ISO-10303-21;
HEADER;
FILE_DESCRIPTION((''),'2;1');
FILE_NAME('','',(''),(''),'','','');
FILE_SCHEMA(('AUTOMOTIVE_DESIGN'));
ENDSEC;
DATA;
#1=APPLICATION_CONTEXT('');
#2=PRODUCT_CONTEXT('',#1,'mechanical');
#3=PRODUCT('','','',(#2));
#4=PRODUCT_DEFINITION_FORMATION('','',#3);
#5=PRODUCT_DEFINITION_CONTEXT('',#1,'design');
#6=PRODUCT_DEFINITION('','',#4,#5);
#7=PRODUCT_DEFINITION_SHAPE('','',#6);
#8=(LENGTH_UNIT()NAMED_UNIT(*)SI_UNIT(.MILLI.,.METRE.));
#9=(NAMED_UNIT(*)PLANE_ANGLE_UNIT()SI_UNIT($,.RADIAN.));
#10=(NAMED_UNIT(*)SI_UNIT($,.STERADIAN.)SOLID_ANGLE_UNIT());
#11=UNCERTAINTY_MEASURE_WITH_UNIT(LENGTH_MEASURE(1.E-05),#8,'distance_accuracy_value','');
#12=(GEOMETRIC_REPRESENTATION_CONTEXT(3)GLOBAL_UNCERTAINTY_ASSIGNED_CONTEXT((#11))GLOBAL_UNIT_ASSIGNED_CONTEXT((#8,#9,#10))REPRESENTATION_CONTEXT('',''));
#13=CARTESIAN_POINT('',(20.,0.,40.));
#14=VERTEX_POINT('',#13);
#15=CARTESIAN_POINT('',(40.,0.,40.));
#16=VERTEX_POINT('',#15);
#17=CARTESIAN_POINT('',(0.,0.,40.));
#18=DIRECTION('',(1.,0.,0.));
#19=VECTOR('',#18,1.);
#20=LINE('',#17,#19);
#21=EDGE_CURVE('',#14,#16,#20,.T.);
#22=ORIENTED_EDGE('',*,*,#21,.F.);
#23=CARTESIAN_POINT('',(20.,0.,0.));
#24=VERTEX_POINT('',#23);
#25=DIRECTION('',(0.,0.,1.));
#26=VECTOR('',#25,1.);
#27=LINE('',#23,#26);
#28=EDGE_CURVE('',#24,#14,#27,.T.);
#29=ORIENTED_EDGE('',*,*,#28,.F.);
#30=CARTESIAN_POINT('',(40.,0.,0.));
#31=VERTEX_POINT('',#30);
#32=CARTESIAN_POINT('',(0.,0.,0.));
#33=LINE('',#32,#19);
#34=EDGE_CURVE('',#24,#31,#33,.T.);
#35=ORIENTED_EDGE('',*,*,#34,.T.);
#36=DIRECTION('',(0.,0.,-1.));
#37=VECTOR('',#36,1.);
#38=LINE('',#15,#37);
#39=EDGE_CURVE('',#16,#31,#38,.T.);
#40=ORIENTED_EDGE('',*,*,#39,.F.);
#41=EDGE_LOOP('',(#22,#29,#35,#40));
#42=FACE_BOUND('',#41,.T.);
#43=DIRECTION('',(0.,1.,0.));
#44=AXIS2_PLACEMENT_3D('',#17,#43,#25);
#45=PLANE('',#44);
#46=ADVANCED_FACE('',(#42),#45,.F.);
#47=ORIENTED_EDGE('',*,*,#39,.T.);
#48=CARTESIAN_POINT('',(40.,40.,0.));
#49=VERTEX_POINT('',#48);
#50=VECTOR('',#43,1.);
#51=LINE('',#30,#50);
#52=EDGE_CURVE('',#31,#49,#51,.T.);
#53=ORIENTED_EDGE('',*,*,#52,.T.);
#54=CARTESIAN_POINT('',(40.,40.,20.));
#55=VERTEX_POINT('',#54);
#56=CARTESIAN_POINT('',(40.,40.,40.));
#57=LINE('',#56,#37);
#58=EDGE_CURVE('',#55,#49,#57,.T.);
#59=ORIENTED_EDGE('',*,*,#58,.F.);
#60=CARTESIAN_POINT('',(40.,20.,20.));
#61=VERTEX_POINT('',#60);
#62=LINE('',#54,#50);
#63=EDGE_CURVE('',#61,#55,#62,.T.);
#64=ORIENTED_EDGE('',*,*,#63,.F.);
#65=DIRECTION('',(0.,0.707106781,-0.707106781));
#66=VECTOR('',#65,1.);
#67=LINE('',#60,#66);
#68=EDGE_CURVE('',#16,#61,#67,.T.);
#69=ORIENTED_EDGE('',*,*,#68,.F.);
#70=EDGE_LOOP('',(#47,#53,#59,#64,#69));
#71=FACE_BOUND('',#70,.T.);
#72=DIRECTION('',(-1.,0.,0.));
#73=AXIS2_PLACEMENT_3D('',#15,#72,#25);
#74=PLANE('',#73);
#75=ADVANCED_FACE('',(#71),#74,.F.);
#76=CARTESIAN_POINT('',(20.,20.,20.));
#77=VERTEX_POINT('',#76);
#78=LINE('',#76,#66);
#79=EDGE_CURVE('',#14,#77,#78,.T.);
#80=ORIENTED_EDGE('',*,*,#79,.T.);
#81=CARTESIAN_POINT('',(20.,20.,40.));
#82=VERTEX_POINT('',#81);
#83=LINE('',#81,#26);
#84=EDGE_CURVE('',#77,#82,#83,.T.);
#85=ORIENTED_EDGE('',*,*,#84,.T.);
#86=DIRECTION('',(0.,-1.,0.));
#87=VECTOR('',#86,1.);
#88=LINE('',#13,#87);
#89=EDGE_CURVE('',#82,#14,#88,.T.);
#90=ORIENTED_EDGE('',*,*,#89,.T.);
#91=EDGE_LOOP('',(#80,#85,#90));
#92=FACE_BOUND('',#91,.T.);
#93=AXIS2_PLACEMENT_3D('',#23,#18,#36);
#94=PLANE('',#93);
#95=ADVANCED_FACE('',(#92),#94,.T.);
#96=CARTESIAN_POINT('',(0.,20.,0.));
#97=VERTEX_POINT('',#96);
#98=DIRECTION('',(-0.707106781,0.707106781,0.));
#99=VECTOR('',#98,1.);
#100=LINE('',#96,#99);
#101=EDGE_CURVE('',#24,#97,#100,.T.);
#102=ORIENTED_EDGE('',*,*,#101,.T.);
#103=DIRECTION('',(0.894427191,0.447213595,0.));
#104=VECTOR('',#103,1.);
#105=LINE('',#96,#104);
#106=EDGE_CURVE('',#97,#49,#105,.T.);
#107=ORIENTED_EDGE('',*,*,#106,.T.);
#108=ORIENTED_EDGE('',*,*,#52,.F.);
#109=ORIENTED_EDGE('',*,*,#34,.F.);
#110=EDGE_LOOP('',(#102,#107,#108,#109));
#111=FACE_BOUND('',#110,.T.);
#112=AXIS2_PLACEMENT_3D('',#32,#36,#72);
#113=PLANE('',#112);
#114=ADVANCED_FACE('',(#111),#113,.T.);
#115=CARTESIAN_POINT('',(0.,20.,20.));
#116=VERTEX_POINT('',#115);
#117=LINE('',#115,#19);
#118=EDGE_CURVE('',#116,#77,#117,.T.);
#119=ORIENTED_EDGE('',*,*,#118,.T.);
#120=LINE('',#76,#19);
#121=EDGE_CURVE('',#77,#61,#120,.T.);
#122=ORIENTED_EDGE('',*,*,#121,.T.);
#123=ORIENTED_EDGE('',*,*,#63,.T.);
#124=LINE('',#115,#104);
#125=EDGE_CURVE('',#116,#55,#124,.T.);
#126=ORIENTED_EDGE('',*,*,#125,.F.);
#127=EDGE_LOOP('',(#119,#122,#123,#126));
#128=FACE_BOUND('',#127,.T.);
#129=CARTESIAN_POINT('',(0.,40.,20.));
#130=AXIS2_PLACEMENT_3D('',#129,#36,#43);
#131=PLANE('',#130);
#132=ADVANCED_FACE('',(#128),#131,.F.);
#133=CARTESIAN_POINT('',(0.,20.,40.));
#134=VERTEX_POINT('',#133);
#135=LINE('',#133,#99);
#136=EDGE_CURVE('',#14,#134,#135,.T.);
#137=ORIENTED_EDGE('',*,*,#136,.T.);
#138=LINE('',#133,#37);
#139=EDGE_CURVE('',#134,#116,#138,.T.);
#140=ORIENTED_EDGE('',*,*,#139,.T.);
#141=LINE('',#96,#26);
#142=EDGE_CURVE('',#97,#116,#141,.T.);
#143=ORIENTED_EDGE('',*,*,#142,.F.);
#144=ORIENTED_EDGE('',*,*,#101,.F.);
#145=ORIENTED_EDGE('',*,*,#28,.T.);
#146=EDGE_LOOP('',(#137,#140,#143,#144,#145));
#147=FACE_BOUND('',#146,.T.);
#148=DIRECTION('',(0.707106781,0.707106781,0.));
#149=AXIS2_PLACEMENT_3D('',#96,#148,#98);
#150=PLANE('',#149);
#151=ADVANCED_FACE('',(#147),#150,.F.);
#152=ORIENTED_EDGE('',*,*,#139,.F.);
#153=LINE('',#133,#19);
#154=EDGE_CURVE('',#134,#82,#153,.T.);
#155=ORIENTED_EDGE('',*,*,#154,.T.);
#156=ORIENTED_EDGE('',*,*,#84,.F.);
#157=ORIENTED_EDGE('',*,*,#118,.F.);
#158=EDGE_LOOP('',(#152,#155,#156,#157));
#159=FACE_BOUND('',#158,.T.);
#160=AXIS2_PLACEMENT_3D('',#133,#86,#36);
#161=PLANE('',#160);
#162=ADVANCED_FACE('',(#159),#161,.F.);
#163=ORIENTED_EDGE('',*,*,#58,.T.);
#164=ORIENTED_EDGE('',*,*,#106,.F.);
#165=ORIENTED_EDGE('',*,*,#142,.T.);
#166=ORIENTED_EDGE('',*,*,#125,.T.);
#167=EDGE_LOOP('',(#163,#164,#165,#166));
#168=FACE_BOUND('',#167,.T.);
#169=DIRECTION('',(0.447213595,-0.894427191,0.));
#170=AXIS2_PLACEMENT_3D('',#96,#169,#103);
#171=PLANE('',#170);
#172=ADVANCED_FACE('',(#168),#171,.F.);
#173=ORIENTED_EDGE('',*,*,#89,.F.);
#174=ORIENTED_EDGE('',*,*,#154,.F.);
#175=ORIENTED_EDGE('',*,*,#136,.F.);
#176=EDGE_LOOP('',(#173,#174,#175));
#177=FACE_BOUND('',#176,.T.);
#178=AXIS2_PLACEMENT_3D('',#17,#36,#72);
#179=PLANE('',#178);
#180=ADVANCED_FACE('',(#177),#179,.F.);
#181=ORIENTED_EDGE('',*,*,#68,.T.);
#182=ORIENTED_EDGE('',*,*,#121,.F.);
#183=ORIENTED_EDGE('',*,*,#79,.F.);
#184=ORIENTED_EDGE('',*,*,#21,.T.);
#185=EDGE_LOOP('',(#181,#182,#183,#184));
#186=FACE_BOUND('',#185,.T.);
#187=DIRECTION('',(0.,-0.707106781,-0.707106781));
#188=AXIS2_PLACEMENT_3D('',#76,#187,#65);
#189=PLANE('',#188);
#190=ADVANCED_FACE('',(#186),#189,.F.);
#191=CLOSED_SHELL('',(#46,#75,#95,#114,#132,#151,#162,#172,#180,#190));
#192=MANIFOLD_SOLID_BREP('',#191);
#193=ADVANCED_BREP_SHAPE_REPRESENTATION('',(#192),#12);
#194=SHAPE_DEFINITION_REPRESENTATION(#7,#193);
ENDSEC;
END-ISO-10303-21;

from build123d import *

# Parameters (mm, degrees)
SKETCH1_W           = 40
SKETCH1_H           = 40
BOSS_EXTRUDE1_DEPTH = 40
CUT_EXTRUDE1_DEPTH  = 40
SKETCH3_W           = 20
SKETCH3_H           = 20
CUT_EXTRUDE2_DEPTH  = 40
CUT_EXTRUDE4_DEPTH  = 40
CUT_EXTRUDE5_DEPTH  = 20


with BuildPart() as part:
    # Sketch1 → Boss-Extrude1 (new body)
    with BuildSketch(Plane.XY):
        with Locations((20, 20)):
            Rectangle(SKETCH1_W, SKETCH1_H)
    extrude(amount=BOSS_EXTRUDE1_DEPTH)

    # Sketch2 → Cut-Extrude1 (cut)
    with BuildSketch(Plane.XY.offset(40)):
        Polygon((40, 40), (0, 40), (0, 20), align=None)
    extrude(amount=-CUT_EXTRUDE1_DEPTH, mode=Mode.SUBTRACT)

    # Sketch3 → Cut-Extrude2 (cut)
    with BuildSketch(Plane(origin=(40, 0, 0), x_dir=(0, 0, -1), z_dir=(1, 0, 0))):
        with Locations((-30, 30)):
            Rectangle(SKETCH3_W, SKETCH3_H)
    extrude(amount=-CUT_EXTRUDE2_DEPTH, mode=Mode.SUBTRACT)

    # Sketch4 → Cut-Extrude4 (cut)
    with BuildSketch(Plane.XY.offset(40)):
        Polygon((0, 20), (20, 0), (0, 0), align=None)
    extrude(amount=-CUT_EXTRUDE4_DEPTH, mode=Mode.SUBTRACT)

    # Sketch5 → Cut-Extrude5 (cut)
    with BuildSketch(Plane(origin=(40, 0, 0), x_dir=(0, 0, -1), z_dir=(1, 0, 0))):
        Polygon((-20, 20), (-40, 0), (-40, 20), align=None)
    extrude(amount=-CUT_EXTRUDE5_DEPTH, mode=Mode.SUBTRACT)


solid = part.part
